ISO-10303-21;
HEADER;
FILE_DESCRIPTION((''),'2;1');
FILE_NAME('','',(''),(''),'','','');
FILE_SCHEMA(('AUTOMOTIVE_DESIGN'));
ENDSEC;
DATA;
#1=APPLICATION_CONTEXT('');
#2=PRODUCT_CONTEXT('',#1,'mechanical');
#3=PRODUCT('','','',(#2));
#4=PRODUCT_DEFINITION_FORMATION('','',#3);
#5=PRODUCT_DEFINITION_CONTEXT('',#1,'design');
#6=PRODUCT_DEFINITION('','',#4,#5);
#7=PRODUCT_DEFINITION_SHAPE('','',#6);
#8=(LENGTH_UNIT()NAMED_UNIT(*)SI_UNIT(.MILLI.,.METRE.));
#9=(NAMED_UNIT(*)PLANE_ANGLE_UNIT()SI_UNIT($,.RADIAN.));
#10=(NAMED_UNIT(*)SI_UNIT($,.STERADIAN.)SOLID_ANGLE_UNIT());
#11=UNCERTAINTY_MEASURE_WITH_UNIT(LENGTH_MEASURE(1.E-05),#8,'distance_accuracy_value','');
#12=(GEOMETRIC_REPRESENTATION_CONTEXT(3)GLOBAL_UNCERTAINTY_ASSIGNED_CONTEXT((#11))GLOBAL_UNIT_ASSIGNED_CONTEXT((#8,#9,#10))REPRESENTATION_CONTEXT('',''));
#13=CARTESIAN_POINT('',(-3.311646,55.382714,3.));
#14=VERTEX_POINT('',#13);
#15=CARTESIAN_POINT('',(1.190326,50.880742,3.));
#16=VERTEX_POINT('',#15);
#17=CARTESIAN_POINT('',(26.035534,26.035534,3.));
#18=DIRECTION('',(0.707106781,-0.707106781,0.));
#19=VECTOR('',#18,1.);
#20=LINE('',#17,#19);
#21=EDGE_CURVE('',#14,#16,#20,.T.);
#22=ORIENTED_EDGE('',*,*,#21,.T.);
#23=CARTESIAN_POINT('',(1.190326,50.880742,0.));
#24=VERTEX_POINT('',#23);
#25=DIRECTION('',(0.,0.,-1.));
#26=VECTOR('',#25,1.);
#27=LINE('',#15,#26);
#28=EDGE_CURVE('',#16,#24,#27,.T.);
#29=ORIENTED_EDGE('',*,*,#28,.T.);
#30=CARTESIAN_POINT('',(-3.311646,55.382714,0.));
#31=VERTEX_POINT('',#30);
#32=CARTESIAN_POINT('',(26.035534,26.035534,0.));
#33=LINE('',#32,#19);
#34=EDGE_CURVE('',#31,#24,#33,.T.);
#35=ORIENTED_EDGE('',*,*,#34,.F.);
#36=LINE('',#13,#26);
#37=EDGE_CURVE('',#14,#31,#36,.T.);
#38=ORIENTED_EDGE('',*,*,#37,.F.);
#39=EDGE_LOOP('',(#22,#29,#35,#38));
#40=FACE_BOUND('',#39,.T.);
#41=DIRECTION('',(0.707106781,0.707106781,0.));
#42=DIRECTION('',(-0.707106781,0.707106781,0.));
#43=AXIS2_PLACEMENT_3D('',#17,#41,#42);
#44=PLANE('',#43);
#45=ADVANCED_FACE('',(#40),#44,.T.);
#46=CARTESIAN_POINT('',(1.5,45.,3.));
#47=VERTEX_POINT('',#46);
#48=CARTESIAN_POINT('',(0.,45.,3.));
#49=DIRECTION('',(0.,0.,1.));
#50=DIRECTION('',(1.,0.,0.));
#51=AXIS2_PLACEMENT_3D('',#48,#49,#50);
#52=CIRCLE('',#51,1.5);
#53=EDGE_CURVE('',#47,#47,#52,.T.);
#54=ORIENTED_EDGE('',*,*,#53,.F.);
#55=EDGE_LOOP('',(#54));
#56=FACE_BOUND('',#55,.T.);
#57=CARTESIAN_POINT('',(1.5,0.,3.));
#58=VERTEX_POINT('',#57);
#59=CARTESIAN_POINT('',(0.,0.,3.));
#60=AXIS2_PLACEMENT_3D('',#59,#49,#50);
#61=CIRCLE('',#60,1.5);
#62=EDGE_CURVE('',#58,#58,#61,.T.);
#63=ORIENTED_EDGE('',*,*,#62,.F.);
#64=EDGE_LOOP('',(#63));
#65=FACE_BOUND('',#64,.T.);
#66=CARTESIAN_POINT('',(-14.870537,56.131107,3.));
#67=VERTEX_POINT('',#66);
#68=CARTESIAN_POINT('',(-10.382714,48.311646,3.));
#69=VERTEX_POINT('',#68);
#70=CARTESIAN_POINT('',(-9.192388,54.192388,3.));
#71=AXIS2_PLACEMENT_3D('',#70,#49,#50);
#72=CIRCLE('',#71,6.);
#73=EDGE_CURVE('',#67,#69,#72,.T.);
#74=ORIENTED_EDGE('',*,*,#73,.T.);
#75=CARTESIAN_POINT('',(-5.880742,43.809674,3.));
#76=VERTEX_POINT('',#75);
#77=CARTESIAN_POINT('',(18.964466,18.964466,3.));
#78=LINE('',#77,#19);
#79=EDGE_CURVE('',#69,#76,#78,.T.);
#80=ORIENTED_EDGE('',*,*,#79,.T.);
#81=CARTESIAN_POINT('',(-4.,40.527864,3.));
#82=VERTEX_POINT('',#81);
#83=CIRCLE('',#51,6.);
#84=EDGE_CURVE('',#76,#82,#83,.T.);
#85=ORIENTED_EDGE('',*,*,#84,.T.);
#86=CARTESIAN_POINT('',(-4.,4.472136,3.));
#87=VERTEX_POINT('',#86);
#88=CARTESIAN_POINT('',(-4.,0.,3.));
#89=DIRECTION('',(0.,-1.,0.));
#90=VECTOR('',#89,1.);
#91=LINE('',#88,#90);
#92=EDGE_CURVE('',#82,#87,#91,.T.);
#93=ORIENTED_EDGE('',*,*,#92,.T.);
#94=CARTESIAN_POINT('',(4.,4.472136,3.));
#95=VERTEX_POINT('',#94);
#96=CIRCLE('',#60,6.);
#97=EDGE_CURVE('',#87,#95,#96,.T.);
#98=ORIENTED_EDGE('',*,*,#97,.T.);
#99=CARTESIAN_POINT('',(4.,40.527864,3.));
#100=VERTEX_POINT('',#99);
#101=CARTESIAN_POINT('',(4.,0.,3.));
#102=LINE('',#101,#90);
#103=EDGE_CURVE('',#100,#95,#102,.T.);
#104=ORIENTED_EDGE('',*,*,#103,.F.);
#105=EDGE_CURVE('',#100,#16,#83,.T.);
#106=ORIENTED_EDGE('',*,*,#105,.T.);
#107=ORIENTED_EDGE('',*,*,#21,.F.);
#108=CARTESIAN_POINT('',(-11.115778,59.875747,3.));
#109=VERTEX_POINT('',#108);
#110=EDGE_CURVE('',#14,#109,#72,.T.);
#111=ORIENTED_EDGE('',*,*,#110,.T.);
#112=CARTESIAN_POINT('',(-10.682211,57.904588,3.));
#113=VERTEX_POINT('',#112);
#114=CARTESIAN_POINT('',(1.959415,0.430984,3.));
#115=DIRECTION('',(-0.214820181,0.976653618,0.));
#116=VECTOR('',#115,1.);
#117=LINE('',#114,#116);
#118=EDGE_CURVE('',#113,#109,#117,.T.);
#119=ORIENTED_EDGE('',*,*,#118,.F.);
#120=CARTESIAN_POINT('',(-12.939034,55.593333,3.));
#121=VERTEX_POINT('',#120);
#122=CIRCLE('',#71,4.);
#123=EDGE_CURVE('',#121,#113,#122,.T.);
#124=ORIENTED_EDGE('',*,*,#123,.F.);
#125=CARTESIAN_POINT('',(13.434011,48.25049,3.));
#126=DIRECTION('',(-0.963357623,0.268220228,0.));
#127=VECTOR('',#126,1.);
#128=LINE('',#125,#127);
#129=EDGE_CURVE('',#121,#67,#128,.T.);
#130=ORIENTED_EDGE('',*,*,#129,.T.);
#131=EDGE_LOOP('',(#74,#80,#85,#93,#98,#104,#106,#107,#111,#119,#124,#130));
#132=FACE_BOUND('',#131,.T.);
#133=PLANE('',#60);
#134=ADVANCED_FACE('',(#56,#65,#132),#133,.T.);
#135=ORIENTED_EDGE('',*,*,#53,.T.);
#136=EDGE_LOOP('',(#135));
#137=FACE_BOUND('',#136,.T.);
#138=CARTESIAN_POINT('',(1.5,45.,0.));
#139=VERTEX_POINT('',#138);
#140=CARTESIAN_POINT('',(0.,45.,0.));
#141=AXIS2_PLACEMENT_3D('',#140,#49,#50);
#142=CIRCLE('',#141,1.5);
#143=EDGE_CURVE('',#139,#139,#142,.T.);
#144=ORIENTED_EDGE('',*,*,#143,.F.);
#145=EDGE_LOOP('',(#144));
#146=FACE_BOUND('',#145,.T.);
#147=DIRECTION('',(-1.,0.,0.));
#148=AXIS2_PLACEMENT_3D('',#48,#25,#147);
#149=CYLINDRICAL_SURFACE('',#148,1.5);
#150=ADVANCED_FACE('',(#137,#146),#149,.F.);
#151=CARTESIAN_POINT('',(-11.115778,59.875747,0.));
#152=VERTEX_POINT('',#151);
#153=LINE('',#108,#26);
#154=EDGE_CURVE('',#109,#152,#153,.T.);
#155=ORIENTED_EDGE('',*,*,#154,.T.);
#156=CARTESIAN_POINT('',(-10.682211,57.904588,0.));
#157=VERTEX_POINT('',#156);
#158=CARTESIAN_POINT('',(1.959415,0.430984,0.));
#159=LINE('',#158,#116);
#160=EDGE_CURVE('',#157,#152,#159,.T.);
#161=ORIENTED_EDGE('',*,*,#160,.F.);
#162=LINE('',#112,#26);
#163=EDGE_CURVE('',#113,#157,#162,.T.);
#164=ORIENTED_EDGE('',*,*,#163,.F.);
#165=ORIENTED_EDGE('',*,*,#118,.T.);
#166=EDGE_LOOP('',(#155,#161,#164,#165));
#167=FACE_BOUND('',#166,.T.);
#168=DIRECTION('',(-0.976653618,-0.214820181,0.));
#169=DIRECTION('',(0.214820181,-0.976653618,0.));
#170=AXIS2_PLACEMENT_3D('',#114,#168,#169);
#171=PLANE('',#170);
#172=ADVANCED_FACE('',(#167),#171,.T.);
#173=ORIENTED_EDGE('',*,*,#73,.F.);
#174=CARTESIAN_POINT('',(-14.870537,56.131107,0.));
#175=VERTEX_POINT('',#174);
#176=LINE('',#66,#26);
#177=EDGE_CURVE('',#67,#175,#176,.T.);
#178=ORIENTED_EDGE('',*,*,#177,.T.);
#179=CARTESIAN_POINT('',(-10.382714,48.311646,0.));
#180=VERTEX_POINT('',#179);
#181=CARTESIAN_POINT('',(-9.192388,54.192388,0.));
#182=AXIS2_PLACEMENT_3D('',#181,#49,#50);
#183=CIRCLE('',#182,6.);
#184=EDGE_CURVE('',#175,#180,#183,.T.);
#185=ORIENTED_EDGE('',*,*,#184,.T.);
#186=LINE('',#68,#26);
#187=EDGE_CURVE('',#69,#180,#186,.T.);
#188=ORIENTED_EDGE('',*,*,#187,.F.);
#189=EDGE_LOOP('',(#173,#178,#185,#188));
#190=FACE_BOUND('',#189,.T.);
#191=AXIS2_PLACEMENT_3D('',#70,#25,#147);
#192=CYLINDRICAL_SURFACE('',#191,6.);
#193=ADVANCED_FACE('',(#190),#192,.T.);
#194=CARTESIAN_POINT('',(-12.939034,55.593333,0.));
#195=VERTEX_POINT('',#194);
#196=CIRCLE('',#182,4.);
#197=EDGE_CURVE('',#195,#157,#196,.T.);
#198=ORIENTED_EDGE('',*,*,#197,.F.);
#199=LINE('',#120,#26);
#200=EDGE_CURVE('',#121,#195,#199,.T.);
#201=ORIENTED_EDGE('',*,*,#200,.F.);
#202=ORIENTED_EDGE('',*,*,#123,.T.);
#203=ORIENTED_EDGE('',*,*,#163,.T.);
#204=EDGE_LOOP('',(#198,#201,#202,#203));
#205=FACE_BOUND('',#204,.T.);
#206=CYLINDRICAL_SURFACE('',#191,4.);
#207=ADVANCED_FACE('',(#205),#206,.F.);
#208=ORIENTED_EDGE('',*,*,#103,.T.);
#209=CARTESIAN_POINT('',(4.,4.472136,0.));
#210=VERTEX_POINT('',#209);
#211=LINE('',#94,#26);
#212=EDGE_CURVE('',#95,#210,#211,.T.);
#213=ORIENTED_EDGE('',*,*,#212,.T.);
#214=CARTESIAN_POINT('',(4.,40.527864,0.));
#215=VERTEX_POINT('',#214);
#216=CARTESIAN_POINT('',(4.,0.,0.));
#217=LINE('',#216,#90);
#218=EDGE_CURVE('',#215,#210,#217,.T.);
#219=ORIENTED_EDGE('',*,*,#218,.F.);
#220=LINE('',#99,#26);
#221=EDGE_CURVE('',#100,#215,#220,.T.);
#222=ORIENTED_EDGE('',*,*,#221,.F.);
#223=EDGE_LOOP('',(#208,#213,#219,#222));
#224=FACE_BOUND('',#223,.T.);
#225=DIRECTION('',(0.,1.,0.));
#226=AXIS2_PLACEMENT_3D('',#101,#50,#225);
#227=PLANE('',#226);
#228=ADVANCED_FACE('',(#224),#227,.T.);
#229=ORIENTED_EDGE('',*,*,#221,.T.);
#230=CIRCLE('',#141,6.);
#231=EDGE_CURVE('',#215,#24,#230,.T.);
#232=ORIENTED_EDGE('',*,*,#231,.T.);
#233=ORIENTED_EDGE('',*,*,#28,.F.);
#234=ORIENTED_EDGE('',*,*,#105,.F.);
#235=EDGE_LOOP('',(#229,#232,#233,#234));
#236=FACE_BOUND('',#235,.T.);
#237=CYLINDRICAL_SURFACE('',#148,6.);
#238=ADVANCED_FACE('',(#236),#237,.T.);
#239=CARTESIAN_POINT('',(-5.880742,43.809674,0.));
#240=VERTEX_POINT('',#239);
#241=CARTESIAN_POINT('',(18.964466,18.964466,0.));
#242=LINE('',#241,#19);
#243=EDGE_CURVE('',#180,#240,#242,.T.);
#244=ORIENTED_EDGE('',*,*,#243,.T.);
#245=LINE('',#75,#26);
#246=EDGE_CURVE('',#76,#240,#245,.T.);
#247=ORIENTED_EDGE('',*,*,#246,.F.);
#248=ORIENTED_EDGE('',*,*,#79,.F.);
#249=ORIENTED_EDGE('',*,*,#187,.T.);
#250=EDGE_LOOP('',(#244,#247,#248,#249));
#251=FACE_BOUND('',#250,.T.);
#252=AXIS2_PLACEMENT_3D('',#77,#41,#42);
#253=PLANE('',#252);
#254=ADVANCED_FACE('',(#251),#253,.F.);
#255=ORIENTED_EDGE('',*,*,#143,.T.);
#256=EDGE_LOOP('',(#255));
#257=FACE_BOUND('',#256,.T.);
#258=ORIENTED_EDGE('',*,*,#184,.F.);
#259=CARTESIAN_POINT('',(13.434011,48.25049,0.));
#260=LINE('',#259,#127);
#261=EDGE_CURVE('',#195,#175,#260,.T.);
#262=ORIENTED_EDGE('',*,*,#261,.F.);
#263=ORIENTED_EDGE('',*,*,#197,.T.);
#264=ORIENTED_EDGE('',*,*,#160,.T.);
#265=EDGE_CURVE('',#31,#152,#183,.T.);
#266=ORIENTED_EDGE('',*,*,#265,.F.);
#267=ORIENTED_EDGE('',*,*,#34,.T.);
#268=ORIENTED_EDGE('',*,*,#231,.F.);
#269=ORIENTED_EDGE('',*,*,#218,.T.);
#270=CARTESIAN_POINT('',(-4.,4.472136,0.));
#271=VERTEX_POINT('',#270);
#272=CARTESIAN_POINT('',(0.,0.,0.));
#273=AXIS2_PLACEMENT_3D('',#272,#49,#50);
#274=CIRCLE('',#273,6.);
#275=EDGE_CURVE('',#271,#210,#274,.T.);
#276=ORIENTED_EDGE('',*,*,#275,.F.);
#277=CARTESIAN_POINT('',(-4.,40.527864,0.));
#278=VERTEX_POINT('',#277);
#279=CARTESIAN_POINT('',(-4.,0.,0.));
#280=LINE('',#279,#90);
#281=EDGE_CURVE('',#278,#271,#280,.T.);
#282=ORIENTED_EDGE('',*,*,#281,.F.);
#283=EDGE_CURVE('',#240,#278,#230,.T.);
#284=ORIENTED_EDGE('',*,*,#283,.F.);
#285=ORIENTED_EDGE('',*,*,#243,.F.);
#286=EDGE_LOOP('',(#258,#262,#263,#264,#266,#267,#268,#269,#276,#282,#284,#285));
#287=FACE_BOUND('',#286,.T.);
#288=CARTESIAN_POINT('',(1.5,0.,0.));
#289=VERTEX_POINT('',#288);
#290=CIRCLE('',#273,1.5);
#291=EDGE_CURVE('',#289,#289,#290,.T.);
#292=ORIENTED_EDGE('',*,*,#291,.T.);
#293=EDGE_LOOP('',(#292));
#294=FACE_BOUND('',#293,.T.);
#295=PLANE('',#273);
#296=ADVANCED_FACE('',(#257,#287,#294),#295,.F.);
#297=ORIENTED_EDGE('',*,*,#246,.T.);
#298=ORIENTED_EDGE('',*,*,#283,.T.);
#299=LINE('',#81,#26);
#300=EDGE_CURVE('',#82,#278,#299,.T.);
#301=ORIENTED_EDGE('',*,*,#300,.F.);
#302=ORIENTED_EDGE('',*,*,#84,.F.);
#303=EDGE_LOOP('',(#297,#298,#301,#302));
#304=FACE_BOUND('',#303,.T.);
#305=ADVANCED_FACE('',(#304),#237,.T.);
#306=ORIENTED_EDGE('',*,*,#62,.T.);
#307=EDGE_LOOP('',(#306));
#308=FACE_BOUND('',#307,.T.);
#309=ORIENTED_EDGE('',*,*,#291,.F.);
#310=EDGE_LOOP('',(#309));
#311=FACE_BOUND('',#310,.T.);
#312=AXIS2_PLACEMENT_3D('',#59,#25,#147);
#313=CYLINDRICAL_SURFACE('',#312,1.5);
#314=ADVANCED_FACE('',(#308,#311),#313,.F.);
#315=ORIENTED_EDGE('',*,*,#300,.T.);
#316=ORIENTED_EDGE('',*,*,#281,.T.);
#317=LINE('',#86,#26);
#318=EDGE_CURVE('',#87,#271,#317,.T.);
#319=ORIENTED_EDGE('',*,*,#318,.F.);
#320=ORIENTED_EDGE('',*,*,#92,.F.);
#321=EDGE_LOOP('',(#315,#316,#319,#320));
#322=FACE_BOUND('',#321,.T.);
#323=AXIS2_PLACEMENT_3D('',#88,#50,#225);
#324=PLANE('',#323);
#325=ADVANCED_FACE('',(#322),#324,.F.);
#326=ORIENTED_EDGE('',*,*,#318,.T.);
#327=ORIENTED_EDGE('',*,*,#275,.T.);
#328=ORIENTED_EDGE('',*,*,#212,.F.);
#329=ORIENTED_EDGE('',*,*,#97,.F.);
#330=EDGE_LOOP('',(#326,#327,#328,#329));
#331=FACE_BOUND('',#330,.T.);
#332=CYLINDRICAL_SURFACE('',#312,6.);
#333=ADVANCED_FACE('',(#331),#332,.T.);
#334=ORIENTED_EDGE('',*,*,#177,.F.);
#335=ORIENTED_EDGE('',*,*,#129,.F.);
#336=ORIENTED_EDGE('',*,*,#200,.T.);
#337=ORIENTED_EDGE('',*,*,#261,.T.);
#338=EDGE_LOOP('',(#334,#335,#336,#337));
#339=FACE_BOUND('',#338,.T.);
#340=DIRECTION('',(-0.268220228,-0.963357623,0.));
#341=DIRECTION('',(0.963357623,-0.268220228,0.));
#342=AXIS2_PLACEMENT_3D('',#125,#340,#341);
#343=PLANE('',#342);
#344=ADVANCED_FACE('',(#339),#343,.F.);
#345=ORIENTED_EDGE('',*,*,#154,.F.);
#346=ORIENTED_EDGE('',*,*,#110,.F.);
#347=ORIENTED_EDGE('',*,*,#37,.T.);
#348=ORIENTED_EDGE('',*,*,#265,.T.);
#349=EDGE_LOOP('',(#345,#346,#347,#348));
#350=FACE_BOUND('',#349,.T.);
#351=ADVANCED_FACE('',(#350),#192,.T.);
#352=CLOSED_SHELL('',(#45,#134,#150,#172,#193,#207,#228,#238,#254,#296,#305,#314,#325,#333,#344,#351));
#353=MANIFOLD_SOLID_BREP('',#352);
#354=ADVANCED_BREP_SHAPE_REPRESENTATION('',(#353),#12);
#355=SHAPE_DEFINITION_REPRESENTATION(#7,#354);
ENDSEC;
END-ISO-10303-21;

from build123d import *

# Parameters (mm, degrees)
ESQUISSE1_R        = 6
ESQUISSE1_R_2      = 1.5
BOSS_EXTRU_1_DEPTH = 3


with BuildPart() as part:
    # Esquisse1 → Boss.-Extru.1 (new body)
    with BuildSketch(Plane.XY):
        with Locations((0, 45)):
            Circle(ESQUISSE1_R)
        with Locations((0, 45)):
            Circle(ESQUISSE1_R_2, mode=Mode.SUBTRACT)
        with BuildLine():
            Line((4, 4.472135955), (4, 40.527864045))
            ThreePointArc((4, 40.527864045), (0, 39), (-4, 40.527864045))
            Line((-4, 40.527864045), (-4, 4.472135955))
            ThreePointArc((-4, 4.472135955), (0, 6), (4, 4.472135955))
        make_face()
        Circle(ESQUISSE1_R)
        Circle(ESQUISSE1_R_2, mode=Mode.SUBTRACT)
        with BuildLine():
            Line((-10.382714181, 48.31164637), (-5.880741786, 43.809673974))
            ThreePointArc((-5.880741786, 43.809673974), (-4.242640687, 49.242640687), (1.190326026, 50.880741786))
            Line((1.190326026, 50.880741786), (-3.31164637, 55.382714181))
            ThreePointArc((-3.31164637, 55.382714181), (-4.949747468, 49.949747468), (-10.382714181, 48.31164637))
        make_face()
        with BuildLine():
            ThreePointArc((-12.939033763, 55.593333084), (-6.330461198, 51.397862419), (-10.682211275, 57.904587917))
            Line((-10.682211275, 57.904587917), (-11.115778297, 59.875747229))
            ThreePointArc((-11.115778297, 59.875747229), (-4.955475233, 49.944027426), (-14.870536711, 56.131106542))
            Line((-14.870536711, 56.131106542), (-12.939033763, 55.593333084))
        make_face()
    extrude(amount=BOSS_EXTRU_1_DEPTH)


solid = part.part
